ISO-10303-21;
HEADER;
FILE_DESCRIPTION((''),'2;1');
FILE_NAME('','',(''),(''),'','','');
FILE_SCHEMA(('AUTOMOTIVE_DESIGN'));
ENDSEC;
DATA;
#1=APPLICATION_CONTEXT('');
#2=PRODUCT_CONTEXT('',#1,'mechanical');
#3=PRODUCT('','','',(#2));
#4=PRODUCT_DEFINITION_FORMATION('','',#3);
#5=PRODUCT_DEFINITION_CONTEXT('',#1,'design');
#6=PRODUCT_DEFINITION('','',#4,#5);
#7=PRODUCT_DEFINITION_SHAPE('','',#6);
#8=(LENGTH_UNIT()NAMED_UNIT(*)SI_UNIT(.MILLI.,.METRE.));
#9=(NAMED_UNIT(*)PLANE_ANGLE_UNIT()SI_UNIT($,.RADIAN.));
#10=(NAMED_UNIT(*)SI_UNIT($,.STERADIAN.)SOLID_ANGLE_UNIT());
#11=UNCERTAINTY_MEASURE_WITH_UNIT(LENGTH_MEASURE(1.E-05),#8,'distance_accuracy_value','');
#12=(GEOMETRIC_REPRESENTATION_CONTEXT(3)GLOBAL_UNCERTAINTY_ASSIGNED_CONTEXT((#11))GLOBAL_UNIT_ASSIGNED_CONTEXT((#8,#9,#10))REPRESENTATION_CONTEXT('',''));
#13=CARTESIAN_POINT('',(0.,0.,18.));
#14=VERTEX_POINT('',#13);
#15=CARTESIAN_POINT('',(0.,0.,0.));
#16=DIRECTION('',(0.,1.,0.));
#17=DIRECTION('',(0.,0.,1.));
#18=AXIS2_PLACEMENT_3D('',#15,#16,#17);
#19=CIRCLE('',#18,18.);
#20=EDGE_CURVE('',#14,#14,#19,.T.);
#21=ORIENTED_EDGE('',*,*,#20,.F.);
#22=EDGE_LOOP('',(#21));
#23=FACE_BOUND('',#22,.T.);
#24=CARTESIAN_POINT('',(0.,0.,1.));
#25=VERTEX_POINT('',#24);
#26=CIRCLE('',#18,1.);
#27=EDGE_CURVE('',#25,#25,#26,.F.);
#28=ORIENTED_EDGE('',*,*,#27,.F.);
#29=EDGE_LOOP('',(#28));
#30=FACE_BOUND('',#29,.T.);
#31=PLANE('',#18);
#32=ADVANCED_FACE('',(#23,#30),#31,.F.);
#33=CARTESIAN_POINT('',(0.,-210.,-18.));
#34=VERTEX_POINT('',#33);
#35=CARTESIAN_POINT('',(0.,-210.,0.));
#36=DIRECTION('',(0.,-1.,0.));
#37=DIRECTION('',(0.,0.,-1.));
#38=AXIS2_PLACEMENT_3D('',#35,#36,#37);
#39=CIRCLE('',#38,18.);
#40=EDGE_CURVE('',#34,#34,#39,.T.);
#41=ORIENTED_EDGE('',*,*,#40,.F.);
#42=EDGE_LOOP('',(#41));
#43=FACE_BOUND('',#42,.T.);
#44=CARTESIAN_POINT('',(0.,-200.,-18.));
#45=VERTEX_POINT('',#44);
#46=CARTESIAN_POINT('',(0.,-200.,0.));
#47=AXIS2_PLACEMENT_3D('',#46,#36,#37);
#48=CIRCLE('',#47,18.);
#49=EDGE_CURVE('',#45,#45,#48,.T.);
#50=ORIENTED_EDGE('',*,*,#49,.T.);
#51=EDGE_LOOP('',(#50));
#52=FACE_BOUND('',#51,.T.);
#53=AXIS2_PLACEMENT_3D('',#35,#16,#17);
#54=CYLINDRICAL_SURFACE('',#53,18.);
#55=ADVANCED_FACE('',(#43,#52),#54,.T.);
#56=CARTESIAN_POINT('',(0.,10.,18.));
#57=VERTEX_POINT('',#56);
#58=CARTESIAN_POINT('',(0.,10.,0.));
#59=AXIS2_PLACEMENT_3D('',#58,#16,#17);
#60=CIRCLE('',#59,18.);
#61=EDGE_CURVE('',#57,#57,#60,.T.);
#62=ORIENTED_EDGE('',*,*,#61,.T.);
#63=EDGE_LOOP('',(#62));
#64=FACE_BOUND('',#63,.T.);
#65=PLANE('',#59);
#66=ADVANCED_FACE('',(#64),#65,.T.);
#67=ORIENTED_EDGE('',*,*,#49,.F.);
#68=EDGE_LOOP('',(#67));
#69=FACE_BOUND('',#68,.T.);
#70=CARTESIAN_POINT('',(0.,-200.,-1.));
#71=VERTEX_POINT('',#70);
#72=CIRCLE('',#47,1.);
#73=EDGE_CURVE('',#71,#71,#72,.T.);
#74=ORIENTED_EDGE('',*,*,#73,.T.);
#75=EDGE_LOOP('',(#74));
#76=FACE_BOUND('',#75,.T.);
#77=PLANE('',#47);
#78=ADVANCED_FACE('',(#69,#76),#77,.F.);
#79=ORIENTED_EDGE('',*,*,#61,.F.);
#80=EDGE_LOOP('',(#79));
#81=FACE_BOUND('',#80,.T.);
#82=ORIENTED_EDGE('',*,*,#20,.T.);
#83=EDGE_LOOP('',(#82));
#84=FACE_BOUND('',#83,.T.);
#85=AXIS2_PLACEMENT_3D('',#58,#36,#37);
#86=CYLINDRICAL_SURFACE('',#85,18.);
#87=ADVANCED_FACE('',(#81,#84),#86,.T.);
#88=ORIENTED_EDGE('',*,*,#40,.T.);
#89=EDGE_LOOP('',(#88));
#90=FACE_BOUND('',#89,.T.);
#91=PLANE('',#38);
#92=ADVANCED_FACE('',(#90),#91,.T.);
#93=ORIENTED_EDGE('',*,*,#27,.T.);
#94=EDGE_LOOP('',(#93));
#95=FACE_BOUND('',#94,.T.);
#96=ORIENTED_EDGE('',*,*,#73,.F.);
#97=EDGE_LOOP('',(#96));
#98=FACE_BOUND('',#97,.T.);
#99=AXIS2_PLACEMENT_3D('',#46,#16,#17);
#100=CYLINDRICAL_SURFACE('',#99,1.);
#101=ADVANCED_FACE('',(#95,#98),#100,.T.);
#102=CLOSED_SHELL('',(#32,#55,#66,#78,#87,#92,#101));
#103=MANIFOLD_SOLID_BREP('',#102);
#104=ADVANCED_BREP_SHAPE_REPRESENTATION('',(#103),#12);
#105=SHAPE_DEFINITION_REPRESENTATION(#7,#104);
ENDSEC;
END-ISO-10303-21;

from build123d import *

# Parameters (mm, degrees)
SKETCH_1_R      = 18
EXTRUDE_1_DEPTH = 10
SKETCH_2_R      = 1
EXTRUDE_2_DEPTH = 200
EXTRUDE_START   = 10
SKETCH_3_R      = 18
EXTRUDE_3_DEPTH = 10


with BuildPart() as part:
    # 草图1 → 凸台-拉伸1 (new body)
    with BuildSketch(Plane(origin=(0, 0, 0), x_dir=(1, 0, 0), z_dir=(0, 1, 0))):
        with Locations(Location((0, 0, 0), (0, 0, 270))):
            Circle(SKETCH_1_R)
    extrude(amount=EXTRUDE_1_DEPTH)

    # 草图2 → 凸台-拉伸2 (add)
    with BuildSketch(Plane(origin=(0, 0, 0), x_dir=(-1, 0, 0), z_dir=(0, -1, 0))):
        with Locations(Location((0, 0, 0), (0, 0, 270))):
            Circle(SKETCH_2_R)
    extrude(amount=EXTRUDE_2_DEPTH)

    # 草图3 → 凸台-拉伸3 (add)
    with BuildSketch(Plane(origin=(0, -200, 0), x_dir=(-1, 0, 0), z_dir=(0, -1, 0)).offset(EXTRUDE_START)):
        with Locations(Location((0, 0, 0), (0, 0, 270))):
            Circle(SKETCH_3_R)
    extrude(amount=-EXTRUDE_3_DEPTH)


solid = part.part
